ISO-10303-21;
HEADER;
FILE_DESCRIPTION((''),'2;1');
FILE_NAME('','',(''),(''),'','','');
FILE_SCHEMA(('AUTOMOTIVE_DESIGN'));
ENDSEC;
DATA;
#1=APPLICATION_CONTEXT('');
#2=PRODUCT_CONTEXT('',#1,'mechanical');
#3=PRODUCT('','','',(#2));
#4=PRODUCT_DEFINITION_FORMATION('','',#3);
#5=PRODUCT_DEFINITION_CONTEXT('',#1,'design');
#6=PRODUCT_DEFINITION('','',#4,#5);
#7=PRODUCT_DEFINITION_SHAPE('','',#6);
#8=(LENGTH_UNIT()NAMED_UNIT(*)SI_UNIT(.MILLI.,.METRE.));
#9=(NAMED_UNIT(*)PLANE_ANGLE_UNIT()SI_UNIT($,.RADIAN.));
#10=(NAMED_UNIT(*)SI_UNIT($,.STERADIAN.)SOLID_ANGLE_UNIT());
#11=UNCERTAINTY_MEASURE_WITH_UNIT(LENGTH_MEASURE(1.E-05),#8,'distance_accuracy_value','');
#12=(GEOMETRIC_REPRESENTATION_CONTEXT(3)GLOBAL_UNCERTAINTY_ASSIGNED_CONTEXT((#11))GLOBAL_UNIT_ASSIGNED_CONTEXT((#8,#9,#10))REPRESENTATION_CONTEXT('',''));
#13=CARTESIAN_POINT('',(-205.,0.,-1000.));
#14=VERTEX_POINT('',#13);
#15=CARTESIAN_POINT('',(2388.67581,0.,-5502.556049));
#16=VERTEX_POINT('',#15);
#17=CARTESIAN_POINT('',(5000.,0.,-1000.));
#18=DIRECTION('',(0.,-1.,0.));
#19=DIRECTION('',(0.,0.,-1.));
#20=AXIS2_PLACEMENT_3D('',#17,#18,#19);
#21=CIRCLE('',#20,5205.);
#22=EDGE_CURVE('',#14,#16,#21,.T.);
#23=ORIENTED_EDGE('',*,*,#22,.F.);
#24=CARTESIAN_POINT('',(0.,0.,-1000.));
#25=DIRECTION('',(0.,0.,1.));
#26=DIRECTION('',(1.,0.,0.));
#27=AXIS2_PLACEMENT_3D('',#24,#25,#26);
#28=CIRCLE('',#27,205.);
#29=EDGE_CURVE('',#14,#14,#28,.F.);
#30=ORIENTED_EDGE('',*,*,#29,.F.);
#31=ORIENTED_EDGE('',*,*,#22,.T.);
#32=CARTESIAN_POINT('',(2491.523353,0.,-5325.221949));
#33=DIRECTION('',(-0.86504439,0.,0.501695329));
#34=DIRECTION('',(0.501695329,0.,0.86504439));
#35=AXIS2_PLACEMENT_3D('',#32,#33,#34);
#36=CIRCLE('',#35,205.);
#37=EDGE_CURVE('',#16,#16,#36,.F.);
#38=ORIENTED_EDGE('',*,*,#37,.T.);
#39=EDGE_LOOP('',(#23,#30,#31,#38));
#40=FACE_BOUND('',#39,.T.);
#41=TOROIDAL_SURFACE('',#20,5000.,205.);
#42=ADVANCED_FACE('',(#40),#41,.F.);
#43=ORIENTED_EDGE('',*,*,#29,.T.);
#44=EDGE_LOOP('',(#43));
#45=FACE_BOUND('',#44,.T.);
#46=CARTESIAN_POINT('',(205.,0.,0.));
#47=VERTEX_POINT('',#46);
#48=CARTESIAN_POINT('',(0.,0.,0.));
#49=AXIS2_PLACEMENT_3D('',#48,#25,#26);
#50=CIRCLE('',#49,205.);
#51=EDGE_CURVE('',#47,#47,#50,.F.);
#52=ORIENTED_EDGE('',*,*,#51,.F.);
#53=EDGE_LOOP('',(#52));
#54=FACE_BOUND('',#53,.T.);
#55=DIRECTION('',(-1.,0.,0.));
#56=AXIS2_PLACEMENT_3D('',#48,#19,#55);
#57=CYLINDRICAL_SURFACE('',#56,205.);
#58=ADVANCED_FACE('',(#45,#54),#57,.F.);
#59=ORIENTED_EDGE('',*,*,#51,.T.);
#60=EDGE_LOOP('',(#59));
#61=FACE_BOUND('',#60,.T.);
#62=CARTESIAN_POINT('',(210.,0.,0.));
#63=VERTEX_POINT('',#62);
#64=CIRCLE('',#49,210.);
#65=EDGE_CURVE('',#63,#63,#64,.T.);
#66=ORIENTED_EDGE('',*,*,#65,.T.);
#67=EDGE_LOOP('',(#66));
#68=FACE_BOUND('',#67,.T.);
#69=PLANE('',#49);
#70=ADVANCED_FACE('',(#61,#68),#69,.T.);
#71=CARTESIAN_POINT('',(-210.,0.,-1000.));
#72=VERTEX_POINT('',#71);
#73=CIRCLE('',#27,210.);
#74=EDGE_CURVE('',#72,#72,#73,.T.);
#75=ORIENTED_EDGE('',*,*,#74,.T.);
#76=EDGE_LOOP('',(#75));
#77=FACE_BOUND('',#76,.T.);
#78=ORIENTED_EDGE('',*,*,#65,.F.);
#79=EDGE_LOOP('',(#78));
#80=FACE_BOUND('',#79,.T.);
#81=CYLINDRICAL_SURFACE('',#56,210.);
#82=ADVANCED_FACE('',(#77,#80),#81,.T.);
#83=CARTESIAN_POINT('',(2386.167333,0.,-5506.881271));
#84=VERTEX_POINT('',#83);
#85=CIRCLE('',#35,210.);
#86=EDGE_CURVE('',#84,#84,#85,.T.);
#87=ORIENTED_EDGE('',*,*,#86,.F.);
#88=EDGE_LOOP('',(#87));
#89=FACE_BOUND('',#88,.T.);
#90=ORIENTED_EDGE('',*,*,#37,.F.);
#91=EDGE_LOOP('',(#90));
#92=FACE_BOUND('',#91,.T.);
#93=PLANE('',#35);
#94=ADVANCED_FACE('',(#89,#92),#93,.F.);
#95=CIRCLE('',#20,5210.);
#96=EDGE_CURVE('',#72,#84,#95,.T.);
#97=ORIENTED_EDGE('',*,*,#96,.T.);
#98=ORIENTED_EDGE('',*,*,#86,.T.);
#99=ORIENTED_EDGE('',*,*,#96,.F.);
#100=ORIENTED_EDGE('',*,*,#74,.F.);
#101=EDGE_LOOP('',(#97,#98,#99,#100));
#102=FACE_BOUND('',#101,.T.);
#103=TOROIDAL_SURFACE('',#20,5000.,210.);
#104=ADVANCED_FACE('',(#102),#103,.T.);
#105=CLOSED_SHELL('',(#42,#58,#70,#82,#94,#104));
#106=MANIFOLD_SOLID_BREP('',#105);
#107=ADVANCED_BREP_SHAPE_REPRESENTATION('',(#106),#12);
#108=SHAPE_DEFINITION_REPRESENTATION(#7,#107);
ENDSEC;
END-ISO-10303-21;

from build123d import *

# Parameters (mm, degrees)
SKETCH_1_R   = 210
SKETCH_1_R_2 = 205


with BuildPart() as part:
    # 扫描1: sweep along a path in 草图2
    with BuildLine(Plane(origin=(0, 0, 0), x_dir=(1, 0, 0), z_dir=(0, 1, 0))) as sweep_1_path:
        Line((0, 0), (0, 1000))
        ThreePointArc((0, 1000), (667.42667475, 3495.758077484), (2491.523352531, 5325.221949115))
    # 草图1 → 扫描1 (sweep)
    with BuildSketch(Plane.XY):
        Circle(SKETCH_1_R)
        Circle(SKETCH_1_R_2, mode=Mode.SUBTRACT)
    sweep(path=sweep_1_path.line)


solid = part.part
